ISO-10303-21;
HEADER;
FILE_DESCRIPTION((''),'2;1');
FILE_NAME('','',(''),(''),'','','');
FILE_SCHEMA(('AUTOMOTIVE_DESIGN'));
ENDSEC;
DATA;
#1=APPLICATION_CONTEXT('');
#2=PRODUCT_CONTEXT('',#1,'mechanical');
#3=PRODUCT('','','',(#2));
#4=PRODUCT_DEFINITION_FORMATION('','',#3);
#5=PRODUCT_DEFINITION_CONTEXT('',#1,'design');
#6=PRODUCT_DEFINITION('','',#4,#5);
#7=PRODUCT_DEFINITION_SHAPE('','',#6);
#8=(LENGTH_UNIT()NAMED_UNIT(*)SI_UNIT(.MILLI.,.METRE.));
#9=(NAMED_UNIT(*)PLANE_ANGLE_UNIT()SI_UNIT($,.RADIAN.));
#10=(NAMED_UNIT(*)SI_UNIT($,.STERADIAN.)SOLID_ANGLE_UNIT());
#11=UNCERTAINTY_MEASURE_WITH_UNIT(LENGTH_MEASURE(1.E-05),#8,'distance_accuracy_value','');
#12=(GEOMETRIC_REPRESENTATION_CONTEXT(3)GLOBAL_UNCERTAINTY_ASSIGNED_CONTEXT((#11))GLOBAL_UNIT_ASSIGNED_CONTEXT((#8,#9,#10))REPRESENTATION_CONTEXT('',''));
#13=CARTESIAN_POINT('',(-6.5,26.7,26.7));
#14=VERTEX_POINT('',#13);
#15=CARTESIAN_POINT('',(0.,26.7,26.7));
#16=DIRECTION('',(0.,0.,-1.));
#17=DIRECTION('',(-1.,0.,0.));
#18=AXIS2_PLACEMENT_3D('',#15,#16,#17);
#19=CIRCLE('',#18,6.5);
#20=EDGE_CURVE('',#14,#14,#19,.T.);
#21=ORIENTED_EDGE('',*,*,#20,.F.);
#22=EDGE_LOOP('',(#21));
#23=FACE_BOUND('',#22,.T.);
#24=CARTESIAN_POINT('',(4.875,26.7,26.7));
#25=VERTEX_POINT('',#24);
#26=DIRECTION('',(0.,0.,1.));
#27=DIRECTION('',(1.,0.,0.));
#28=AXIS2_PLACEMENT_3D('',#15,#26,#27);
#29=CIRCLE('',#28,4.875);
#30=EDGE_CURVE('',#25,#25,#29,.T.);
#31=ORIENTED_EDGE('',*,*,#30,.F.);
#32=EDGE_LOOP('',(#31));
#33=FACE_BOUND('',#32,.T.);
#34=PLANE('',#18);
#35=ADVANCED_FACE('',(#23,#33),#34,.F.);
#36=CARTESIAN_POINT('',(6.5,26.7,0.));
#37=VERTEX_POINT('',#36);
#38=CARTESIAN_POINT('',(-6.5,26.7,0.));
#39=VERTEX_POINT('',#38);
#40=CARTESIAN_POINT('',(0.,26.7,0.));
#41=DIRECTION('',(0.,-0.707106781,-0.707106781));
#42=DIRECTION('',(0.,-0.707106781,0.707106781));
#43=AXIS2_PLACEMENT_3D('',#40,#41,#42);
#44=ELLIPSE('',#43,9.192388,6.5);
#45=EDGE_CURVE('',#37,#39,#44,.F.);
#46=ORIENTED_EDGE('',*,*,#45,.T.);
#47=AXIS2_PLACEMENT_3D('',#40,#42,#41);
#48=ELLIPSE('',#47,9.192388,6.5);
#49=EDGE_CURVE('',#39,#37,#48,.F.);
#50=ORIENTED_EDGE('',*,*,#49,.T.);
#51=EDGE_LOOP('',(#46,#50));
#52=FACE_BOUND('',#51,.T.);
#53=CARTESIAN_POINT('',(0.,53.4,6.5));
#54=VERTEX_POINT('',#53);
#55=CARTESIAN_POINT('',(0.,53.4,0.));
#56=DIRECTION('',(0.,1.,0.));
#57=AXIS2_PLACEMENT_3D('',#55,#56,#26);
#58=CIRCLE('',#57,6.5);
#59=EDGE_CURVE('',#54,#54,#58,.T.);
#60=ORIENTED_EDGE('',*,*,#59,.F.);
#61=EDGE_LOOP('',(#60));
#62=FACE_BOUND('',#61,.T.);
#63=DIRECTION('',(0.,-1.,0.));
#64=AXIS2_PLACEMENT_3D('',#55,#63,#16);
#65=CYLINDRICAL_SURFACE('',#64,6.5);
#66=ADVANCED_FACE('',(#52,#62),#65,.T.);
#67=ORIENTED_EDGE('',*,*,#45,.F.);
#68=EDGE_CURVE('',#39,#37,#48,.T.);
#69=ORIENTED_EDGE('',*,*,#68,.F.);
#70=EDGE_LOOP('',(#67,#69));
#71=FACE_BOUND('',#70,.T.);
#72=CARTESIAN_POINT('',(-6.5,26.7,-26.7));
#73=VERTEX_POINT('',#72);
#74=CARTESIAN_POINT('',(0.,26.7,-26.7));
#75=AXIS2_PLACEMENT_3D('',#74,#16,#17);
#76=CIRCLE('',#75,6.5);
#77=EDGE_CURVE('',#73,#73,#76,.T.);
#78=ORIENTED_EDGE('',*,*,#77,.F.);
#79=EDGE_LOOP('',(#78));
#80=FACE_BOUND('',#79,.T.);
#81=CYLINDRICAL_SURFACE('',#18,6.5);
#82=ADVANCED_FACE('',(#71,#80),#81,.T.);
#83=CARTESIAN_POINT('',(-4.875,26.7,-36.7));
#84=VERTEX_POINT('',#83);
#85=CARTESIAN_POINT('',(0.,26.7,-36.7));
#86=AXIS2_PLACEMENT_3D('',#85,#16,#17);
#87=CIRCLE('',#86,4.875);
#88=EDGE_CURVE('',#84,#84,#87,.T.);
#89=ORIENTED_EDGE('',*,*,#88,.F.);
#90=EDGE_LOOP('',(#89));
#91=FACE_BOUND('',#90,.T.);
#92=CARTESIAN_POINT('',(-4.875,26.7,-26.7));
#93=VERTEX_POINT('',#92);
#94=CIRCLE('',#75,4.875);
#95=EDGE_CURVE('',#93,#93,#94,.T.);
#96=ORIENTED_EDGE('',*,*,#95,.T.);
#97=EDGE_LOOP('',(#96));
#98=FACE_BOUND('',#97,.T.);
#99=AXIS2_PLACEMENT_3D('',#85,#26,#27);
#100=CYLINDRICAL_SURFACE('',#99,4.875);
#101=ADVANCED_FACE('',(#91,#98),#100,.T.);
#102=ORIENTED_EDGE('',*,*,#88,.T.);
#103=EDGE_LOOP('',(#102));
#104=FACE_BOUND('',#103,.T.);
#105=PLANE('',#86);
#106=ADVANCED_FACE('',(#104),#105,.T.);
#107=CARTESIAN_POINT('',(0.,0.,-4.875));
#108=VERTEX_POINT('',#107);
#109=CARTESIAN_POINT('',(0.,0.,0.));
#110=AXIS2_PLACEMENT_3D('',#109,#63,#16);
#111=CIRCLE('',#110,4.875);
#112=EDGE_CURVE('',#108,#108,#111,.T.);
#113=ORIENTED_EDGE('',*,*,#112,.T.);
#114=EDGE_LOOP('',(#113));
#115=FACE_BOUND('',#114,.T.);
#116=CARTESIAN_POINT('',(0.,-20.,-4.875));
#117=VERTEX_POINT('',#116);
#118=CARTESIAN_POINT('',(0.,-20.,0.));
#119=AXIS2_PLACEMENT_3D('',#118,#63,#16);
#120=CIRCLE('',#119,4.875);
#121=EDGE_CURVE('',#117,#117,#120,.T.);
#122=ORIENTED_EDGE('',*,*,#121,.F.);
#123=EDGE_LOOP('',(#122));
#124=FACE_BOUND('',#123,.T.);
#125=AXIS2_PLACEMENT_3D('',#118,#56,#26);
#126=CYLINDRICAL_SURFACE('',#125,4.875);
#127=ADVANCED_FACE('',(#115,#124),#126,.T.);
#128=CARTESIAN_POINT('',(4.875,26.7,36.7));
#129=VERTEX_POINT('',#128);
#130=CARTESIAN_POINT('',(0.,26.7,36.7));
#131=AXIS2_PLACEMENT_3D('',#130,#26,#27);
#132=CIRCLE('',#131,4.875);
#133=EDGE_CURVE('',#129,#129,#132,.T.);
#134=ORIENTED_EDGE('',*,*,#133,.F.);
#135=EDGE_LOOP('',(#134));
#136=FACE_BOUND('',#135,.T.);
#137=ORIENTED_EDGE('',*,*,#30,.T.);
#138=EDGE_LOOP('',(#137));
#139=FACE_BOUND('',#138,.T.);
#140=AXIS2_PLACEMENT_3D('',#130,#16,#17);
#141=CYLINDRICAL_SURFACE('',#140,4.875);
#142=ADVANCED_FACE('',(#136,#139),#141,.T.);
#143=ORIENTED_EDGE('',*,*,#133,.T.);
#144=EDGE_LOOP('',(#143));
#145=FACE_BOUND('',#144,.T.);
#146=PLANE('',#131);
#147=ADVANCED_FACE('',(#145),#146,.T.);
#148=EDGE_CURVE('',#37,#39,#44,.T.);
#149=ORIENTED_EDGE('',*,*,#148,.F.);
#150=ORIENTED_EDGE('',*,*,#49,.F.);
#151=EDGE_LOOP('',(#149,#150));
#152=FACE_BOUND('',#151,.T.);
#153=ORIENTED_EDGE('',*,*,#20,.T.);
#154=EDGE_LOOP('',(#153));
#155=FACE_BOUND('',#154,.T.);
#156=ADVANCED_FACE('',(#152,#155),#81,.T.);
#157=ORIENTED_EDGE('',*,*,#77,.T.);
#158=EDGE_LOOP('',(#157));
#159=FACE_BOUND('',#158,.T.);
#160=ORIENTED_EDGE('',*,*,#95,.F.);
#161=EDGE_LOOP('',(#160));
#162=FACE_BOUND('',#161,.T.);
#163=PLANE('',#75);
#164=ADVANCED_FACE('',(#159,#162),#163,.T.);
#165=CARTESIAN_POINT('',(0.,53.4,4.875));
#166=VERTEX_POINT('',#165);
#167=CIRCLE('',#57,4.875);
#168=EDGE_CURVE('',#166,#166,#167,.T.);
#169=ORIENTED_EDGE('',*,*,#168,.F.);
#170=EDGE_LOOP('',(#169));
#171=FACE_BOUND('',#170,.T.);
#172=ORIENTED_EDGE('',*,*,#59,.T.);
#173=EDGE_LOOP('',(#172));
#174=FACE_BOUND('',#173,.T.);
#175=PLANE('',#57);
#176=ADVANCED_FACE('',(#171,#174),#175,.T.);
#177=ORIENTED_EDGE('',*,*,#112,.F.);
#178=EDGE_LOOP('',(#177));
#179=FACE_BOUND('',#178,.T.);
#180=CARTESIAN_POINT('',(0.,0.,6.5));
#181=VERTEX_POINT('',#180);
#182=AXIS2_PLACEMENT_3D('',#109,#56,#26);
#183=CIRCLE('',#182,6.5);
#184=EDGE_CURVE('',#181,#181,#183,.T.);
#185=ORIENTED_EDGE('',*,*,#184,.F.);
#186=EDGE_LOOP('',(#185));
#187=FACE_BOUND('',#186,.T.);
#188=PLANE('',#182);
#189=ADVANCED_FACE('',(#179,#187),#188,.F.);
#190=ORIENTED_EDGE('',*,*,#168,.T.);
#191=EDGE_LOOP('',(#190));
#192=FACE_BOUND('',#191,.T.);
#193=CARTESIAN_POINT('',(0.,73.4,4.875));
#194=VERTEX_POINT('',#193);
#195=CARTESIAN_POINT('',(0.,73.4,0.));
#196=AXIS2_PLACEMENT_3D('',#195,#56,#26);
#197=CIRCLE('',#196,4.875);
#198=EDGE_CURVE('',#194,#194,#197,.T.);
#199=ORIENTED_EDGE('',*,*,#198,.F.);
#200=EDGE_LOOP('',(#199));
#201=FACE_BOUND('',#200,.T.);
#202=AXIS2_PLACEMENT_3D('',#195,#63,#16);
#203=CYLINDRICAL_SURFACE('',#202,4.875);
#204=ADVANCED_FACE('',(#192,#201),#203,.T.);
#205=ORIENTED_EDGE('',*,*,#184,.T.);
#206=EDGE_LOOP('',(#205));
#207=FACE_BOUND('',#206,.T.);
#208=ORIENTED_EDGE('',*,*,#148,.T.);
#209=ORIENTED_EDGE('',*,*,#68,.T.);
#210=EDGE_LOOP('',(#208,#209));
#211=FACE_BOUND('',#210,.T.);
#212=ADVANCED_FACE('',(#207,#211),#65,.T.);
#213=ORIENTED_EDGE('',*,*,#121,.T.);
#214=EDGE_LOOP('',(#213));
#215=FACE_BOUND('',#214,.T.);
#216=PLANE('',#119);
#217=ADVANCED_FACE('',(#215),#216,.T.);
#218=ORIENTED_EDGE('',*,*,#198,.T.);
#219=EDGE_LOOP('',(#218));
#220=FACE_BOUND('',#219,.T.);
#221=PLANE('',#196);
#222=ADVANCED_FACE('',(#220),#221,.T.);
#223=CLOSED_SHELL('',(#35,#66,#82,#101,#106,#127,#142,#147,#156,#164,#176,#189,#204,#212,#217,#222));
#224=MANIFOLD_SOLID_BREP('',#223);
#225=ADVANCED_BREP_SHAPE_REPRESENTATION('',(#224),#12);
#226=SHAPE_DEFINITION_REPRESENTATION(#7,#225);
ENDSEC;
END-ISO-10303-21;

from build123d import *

# Parameters (mm, degrees)
SKETCH1_R                = 6.5
BOSS_EXTRUDE1_DEPTH      = 53.4
SKETCH11_R               = 4.875
BOSS_EXTRUDE2_DEPTH      = 20
BOSS_EXTRUDE3_START      = 20
SKETCH12_R               = 4.875
BOSS_EXTRUDE3_DEPTH      = 20
CIRPATTERN1_COUNT        = 2
BOSS_EXTRUDE4_DEPTH      = 26.7
BOSS_EXTRUDE4_DEPTH_BACK = 26.7
SKETCH13_R               = 6.5
SKETCH14_R               = 4.875
BOSS_EXTRUDE5_DEPTH      = 10
BOSS_EXTRUDE6_START      = 10
SKETCH15_R               = 4.875
BOSS_EXTRUDE6_DEPTH      = 10


with BuildPart() as part:
    # Sketch1 → Boss-Extrude1 (new body)
    with BuildSketch(Plane(origin=(0, 0, 0), x_dir=(1, 0, 0), z_dir=(0, 1, 0))):
        Circle(SKETCH1_R)
    boss_extrude1 = extrude(amount=BOSS_EXTRUDE1_DEPTH)

    # Sketch11 → Boss-Extrude2 (add)
    with BuildSketch(Plane(origin=(0, 0, 0), x_dir=(-1, 0, 0), z_dir=(0, -1, 0))):
        Circle(SKETCH11_R)
    boss_extrude2 = extrude(amount=BOSS_EXTRUDE2_DEPTH)

    # Sketch12 → Boss-Extrude3 (add)
    with BuildSketch(Plane(origin=(0, 53.4, 0), x_dir=(1, 0, 0), z_dir=(0, 1, 0)).offset(BOSS_EXTRUDE3_START)):
        Circle(SKETCH12_R)
    boss_extrude3 = extrude(amount=-BOSS_EXTRUDE3_DEPTH)

    # CirPattern1: Boss-Extrude1, Boss-Extrude2, Boss-Extrude3 ×2 about axis
    cirpattern1_axis = Axis((0, 26.7, 0), (1, 0, 0))
    add([boss_extrude1.rotate(cirpattern1_axis, i * 360 / CIRPATTERN1_COUNT) for i in range(1, CIRPATTERN1_COUNT)])
    add([boss_extrude2.rotate(cirpattern1_axis, i * 360 / CIRPATTERN1_COUNT) for i in range(1, CIRPATTERN1_COUNT)])
    add([boss_extrude3.rotate(cirpattern1_axis, i * 360 / CIRPATTERN1_COUNT) for i in range(1, CIRPATTERN1_COUNT)])

    # Sketch13 → Boss-Extrude4 (add, two sides: drawn at the far end of the back side and taken through both)
    with BuildSketch(Plane(origin=(0, 0, 0), x_dir=(-1, 0, 0), z_dir=(0, 0, -1)).offset(-BOSS_EXTRUDE4_DEPTH_BACK)):
        with Locations((0, 26.7)):
            Circle(SKETCH13_R)
    extrude(amount=BOSS_EXTRUDE4_DEPTH + BOSS_EXTRUDE4_DEPTH_BACK)

    # Sketch14 → Boss-Extrude5 (add)
    with BuildSketch(Plane(origin=(0, 0, -26.7), x_dir=(-1, 0, 0), z_dir=(0, 0, -1))):
        with Locations((0, 26.7)):
            Circle(SKETCH14_R)
    extrude(amount=BOSS_EXTRUDE5_DEPTH)

    # Sketch15 → Boss-Extrude6 (add)
    with BuildSketch(Plane.XY.offset(26.7).offset(BOSS_EXTRUDE6_START)):
        with Locations((0, 26.7)):
            Circle(SKETCH15_R)
    extrude(amount=-BOSS_EXTRUDE6_DEPTH)


solid = part.part
